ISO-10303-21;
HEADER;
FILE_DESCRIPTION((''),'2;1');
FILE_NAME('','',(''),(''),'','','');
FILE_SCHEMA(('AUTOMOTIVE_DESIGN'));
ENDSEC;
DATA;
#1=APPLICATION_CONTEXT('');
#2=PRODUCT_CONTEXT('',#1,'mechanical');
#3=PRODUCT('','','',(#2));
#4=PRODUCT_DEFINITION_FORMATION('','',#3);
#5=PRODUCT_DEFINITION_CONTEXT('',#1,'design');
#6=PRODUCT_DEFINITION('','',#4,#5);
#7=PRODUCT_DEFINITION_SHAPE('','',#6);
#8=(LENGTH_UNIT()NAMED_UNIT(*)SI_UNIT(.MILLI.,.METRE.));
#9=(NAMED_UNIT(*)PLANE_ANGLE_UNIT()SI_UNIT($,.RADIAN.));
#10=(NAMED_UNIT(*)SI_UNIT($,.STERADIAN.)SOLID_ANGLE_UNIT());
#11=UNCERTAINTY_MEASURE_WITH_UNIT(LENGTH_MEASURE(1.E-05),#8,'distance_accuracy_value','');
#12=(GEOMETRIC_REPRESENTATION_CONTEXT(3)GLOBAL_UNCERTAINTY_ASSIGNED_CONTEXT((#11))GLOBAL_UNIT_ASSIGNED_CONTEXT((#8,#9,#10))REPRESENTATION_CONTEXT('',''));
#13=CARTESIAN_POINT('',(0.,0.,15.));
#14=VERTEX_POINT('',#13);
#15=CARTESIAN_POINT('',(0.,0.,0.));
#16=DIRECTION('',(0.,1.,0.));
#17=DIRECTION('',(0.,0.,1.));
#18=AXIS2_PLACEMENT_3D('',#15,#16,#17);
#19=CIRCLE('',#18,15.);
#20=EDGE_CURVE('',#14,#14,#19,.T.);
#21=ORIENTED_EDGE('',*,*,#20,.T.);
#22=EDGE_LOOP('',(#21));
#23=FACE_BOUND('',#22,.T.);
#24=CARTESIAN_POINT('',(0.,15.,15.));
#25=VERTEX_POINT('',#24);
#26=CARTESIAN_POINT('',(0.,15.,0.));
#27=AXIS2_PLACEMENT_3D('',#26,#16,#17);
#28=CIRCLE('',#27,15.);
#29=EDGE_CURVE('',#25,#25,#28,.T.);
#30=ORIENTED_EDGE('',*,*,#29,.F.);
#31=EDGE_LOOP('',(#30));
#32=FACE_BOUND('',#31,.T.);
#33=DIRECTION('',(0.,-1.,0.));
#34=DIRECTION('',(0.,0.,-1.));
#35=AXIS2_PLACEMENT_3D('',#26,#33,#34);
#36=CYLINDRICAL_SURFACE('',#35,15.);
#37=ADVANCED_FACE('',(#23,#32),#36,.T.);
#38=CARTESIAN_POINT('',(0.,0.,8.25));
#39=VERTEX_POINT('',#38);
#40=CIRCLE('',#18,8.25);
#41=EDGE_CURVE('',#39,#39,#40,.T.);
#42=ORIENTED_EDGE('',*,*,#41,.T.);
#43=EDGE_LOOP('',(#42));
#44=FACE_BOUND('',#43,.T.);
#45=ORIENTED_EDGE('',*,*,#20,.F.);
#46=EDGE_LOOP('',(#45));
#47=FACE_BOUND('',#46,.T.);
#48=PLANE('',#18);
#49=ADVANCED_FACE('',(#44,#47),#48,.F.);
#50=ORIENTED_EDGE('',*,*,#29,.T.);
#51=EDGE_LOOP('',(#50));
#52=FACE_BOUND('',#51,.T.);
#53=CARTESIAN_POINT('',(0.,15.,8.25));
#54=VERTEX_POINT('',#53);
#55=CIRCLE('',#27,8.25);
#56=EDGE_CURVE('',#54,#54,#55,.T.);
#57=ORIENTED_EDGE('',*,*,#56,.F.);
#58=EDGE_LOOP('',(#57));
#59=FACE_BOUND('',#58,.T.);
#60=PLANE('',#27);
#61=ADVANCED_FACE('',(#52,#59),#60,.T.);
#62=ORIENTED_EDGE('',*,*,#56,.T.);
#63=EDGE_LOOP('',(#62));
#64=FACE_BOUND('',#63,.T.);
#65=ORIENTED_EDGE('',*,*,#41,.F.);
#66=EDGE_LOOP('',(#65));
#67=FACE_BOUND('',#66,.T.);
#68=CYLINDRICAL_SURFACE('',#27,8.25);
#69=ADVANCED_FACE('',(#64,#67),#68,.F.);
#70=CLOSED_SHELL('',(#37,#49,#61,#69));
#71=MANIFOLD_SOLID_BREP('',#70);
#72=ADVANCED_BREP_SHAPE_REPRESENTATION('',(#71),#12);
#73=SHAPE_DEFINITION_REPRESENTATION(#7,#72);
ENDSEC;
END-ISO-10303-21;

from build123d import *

# Parameters (mm, degrees)
SKETCH_2_R      = 15
EXTRUDE_1_DEPTH = 15
M18X1_0_1_D     = 16.5


with BuildPart() as part:
    # 草图2 → 凸台-拉伸1 (new body)
    with BuildSketch(Plane(origin=(0, 0, 0), x_dir=(1, 0, 0), z_dir=(0, 1, 0))):
        Circle(SKETCH_2_R)
    extrude(amount=EXTRUDE_1_DEPTH)

    # M18x1.0 螺纹孔1 (through all)
    with Locations(Plane(origin=(0, 15, 0), x_dir=(1, 0, 0), z_dir=(0, 1, 0))):
        with Locations((0, 0)):
            Hole(M18X1_0_1_D / 2)


solid = part.part
